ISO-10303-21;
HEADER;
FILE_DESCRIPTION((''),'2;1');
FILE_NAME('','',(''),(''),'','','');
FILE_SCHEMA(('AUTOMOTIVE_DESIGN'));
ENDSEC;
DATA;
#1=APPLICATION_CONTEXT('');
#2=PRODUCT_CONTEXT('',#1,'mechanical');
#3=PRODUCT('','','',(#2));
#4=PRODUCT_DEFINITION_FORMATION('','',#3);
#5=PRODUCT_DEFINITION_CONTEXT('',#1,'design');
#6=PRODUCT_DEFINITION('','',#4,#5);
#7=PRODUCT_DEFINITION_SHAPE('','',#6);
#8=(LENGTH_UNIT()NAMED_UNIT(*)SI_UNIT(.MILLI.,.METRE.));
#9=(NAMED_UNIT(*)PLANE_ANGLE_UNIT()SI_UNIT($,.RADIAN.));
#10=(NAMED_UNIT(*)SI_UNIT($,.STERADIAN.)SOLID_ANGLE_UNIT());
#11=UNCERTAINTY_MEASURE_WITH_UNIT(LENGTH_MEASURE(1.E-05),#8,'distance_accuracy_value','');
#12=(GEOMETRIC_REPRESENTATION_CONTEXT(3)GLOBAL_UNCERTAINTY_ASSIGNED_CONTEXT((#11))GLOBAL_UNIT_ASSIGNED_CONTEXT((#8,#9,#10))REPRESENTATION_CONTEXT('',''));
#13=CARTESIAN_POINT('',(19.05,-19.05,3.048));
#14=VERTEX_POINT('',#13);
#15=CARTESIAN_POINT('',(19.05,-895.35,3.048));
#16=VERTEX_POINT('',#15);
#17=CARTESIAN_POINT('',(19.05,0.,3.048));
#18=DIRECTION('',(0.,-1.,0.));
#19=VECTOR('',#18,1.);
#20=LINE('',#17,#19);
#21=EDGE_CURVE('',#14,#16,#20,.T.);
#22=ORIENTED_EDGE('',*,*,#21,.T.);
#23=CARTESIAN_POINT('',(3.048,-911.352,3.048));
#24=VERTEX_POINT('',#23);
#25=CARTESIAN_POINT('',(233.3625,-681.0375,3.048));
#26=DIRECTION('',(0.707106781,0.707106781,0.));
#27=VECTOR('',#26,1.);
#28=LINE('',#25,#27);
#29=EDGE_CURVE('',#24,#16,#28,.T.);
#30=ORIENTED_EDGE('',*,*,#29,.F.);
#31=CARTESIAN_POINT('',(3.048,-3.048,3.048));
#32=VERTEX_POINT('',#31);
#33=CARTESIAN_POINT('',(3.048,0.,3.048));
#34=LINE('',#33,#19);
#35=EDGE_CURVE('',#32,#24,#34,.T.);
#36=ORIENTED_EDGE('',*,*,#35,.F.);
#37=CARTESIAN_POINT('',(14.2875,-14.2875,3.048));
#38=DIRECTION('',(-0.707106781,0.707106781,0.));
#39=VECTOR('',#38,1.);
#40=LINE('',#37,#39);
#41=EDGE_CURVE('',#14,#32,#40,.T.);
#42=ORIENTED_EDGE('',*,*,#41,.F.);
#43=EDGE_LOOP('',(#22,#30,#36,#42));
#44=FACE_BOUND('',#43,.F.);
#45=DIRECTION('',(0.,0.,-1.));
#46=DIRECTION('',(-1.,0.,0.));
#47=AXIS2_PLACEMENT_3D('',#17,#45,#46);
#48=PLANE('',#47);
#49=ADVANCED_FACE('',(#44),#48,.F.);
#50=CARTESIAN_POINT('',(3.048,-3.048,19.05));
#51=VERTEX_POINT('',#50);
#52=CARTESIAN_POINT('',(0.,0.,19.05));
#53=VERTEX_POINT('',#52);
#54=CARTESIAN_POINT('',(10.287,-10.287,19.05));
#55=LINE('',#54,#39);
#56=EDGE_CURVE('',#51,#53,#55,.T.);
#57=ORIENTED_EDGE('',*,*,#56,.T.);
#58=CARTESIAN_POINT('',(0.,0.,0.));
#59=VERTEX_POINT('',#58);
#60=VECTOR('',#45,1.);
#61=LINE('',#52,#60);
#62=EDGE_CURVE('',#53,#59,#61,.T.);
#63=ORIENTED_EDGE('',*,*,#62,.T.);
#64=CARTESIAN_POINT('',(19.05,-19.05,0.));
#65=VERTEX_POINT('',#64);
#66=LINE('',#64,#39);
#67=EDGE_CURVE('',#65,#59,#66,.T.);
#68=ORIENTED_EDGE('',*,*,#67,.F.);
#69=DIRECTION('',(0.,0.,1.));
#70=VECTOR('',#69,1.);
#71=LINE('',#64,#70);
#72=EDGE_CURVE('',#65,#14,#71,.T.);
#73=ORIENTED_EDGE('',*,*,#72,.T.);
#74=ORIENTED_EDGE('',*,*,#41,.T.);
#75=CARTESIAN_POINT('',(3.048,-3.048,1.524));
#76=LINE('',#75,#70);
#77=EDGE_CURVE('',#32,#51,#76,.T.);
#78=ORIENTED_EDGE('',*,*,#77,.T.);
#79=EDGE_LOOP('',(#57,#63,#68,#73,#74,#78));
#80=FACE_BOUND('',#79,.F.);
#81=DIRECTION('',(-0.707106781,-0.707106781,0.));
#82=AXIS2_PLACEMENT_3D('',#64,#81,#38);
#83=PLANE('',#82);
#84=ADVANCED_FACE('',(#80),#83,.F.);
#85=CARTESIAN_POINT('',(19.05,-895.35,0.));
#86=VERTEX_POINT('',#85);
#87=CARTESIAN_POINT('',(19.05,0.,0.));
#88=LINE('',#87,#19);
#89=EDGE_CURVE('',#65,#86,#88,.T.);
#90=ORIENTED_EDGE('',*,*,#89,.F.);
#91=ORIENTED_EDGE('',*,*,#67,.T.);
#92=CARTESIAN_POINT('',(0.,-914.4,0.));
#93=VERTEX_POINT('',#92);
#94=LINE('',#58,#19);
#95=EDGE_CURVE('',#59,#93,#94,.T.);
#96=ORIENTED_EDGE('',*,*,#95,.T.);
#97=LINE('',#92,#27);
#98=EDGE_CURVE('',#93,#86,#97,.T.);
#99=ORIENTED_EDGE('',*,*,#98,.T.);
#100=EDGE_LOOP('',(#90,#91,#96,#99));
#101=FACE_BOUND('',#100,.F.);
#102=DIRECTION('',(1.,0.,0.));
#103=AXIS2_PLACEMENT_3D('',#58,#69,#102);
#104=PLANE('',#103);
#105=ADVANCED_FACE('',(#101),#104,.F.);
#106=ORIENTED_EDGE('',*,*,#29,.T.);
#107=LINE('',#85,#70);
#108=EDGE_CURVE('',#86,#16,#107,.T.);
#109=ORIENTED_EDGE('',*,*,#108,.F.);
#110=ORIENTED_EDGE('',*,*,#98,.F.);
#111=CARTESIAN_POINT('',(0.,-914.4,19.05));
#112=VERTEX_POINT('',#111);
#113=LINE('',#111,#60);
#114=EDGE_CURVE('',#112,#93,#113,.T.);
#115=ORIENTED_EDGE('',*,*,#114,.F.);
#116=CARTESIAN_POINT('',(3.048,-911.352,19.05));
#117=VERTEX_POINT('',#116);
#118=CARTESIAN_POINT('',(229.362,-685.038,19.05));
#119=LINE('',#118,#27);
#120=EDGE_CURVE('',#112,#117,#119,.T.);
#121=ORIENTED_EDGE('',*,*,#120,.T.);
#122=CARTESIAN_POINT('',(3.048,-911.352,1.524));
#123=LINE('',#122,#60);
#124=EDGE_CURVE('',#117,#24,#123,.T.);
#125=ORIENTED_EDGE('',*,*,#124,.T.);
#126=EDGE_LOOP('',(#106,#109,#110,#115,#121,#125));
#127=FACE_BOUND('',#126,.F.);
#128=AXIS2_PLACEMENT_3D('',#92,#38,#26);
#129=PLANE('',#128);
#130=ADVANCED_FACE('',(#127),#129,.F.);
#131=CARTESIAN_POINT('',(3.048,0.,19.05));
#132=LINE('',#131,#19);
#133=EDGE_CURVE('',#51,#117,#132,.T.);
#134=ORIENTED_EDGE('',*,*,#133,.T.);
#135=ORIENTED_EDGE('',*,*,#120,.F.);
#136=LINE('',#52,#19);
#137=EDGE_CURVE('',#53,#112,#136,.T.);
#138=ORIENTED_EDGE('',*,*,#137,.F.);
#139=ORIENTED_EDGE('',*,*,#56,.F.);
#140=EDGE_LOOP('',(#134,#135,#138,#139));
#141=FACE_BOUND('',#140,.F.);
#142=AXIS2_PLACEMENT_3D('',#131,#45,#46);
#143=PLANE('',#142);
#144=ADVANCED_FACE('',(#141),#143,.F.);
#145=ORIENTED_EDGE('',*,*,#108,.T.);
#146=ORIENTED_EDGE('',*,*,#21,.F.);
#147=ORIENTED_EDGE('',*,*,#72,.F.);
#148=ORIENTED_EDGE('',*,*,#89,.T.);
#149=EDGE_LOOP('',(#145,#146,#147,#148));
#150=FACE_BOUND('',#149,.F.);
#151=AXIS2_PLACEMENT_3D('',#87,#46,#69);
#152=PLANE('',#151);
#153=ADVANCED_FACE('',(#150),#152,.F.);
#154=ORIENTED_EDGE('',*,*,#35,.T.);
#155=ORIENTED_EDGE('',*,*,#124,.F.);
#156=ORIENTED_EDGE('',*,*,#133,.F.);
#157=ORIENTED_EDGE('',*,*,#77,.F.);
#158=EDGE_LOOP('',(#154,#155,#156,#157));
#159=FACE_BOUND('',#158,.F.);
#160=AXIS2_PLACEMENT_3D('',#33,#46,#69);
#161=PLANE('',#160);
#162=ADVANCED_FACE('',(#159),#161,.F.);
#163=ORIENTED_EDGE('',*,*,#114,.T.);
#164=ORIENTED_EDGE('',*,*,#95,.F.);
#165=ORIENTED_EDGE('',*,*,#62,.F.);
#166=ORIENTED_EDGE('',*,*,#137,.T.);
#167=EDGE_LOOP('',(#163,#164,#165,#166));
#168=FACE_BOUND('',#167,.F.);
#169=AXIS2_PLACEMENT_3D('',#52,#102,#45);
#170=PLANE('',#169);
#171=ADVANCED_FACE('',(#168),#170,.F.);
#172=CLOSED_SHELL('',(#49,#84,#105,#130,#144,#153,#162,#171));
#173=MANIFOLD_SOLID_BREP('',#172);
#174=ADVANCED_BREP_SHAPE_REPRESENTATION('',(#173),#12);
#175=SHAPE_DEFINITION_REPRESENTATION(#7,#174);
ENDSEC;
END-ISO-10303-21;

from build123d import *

# Parameters (mm, degrees)
F1_DEPTH = 914.4
F3_DEPTH = 19.051
F5_DEPTH = 19.051


with BuildPart() as f1:
    # F0 (on Front) → F1 (new body)
    with BuildSketch(Plane.XZ):
        Polygon((0, 19.05), (0, 0), (19.05, 0), (19.05, 3.048), (3.048, 3.048), (3.048, 19.05), align=None)
    extrude(amount=F1_DEPTH)

    # F2 (on face) → F3 (cut, through all)
    with BuildSketch(Plane(origin=(0, 0, 0), x_dir=(1, 0, 0), z_dir=(0, 0, -1))):
        Polygon((19.05, 914.4), (0, 914.4), (19.05, 895.35), align=None)
    extrude(amount=-F3_DEPTH, mode=Mode.SUBTRACT)

    # F4 (on face) → F5 (cut, through all)
    with BuildSketch(Plane(origin=(0, 0, 0), x_dir=(1, 0, 0), z_dir=(0, 0, -1))):
        Polygon((19.05, 19.05), (0, 0), (19.05, 0), align=None)
    extrude(amount=-F5_DEPTH, mode=Mode.SUBTRACT)


solid = f1.part
